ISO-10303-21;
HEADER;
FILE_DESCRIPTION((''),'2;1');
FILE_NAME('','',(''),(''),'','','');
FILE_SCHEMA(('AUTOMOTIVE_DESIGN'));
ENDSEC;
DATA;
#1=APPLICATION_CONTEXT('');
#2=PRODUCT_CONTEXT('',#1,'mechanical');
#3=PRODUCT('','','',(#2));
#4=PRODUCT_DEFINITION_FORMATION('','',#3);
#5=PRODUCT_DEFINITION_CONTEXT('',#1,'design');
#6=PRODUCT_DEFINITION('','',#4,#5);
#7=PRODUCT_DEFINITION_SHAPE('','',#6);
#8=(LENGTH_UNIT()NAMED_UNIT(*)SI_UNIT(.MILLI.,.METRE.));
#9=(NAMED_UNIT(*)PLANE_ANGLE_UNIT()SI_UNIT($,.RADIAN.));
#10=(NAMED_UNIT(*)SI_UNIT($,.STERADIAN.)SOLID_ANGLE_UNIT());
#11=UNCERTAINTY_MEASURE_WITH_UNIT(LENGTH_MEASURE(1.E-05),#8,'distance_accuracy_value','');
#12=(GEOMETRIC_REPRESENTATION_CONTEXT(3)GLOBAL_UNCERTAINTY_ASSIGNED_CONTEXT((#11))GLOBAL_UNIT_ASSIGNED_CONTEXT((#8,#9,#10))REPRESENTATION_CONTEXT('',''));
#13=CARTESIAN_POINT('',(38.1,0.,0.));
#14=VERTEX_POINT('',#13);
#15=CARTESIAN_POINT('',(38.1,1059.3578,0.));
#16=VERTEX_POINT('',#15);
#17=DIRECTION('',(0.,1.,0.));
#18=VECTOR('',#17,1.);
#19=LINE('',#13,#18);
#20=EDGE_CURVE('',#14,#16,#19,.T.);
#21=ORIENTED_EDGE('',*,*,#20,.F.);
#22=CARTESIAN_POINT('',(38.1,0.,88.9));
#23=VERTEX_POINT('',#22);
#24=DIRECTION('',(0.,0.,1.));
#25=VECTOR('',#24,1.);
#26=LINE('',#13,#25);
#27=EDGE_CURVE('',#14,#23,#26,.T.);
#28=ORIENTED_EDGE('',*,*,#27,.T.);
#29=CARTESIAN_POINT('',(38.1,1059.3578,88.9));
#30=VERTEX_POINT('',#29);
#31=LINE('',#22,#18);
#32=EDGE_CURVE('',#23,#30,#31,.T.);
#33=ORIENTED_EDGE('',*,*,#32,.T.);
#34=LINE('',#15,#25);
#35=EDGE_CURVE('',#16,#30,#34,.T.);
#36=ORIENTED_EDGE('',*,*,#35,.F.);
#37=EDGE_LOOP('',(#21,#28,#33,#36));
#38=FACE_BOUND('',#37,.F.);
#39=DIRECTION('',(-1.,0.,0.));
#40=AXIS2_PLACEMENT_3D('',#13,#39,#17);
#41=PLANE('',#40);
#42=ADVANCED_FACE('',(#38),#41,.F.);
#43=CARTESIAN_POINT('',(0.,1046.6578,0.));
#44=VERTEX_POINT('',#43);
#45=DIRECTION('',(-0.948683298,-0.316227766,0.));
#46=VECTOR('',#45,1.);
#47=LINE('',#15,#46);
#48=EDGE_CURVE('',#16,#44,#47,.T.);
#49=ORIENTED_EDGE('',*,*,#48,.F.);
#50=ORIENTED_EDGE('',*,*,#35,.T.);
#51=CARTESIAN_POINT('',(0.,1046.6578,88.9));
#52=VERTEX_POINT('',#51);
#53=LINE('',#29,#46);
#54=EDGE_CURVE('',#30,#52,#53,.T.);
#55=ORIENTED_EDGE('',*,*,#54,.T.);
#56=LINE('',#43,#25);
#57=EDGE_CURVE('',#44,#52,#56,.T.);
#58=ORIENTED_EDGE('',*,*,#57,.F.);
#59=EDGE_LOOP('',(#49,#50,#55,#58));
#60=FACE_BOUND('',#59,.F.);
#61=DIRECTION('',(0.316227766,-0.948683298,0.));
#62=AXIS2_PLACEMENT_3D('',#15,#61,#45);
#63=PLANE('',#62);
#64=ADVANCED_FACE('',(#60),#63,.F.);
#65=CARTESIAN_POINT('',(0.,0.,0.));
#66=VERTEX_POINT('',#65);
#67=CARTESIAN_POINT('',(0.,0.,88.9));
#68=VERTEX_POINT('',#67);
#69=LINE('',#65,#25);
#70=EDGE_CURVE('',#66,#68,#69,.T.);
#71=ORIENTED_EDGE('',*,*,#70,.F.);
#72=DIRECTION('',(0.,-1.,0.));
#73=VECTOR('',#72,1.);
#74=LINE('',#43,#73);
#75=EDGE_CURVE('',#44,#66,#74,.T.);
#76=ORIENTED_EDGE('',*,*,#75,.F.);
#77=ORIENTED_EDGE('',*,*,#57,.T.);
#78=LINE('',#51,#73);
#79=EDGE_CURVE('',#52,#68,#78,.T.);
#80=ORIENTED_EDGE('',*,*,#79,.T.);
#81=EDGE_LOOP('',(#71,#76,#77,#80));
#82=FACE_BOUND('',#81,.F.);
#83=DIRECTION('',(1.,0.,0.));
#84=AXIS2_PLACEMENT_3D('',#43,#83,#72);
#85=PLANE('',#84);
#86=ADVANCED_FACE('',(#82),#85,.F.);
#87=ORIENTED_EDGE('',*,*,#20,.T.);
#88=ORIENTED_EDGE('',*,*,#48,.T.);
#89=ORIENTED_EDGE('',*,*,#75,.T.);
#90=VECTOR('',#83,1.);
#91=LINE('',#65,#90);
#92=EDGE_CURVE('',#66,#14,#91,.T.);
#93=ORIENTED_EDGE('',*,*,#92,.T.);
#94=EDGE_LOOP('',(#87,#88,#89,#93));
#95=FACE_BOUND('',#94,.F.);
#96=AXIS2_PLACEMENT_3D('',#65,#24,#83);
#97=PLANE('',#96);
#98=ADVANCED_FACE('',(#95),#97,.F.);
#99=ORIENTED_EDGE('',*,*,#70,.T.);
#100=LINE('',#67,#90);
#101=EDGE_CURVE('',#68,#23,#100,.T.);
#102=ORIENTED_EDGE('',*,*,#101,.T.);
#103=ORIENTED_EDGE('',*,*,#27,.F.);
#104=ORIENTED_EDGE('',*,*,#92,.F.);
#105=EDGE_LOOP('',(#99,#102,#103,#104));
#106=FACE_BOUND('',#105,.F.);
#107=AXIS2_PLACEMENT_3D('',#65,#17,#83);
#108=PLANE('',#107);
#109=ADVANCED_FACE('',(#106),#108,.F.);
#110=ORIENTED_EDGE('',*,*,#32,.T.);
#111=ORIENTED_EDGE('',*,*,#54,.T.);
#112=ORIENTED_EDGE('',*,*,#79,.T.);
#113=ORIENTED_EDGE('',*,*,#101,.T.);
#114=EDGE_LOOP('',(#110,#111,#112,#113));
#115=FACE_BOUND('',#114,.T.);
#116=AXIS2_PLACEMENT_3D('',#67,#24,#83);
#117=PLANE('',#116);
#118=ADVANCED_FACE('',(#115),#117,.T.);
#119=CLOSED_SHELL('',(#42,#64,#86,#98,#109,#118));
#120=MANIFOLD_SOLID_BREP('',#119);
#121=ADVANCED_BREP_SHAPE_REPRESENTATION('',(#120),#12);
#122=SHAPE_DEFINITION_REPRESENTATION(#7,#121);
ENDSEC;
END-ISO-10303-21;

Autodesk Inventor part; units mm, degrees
ref_plane "YZ Plane" through (0, 0, 0) normal (1, 0, 0) x (0, 1, 0)
ref_plane "XZ Plane" through (0, 0, 0) normal (0, 1, 0) x (-1, 0, 0)
ref_plane "XY Plane" through (0, 0, 0) normal (0, 0, 1) x (1, 0, 0)
sketch "Sketch1" plane through (0, 0, 0) normal (0, 0, 1) x (1, 0, 0)
  line L0 (0, 0) -> (38.1, 0)
  line L1 (38.1, 0) -> (38.1, 1059.3578)
  line L2 (38.1, 1059.3578) -> (0, 1046.6578)
  line L3 (0, 1046.6578) -> (0, 0)
  dimension "d2" = 38.1
  dimension "d5" = 1046.6578
  dimension "d6" = 1059.3578
extrude "Extrusion1" add sketch "Sketch1" along normal blind 88.9
properties part number "Stud_Between_Top_Plate_And_Rafter_9" material "Wood (Birch)"
